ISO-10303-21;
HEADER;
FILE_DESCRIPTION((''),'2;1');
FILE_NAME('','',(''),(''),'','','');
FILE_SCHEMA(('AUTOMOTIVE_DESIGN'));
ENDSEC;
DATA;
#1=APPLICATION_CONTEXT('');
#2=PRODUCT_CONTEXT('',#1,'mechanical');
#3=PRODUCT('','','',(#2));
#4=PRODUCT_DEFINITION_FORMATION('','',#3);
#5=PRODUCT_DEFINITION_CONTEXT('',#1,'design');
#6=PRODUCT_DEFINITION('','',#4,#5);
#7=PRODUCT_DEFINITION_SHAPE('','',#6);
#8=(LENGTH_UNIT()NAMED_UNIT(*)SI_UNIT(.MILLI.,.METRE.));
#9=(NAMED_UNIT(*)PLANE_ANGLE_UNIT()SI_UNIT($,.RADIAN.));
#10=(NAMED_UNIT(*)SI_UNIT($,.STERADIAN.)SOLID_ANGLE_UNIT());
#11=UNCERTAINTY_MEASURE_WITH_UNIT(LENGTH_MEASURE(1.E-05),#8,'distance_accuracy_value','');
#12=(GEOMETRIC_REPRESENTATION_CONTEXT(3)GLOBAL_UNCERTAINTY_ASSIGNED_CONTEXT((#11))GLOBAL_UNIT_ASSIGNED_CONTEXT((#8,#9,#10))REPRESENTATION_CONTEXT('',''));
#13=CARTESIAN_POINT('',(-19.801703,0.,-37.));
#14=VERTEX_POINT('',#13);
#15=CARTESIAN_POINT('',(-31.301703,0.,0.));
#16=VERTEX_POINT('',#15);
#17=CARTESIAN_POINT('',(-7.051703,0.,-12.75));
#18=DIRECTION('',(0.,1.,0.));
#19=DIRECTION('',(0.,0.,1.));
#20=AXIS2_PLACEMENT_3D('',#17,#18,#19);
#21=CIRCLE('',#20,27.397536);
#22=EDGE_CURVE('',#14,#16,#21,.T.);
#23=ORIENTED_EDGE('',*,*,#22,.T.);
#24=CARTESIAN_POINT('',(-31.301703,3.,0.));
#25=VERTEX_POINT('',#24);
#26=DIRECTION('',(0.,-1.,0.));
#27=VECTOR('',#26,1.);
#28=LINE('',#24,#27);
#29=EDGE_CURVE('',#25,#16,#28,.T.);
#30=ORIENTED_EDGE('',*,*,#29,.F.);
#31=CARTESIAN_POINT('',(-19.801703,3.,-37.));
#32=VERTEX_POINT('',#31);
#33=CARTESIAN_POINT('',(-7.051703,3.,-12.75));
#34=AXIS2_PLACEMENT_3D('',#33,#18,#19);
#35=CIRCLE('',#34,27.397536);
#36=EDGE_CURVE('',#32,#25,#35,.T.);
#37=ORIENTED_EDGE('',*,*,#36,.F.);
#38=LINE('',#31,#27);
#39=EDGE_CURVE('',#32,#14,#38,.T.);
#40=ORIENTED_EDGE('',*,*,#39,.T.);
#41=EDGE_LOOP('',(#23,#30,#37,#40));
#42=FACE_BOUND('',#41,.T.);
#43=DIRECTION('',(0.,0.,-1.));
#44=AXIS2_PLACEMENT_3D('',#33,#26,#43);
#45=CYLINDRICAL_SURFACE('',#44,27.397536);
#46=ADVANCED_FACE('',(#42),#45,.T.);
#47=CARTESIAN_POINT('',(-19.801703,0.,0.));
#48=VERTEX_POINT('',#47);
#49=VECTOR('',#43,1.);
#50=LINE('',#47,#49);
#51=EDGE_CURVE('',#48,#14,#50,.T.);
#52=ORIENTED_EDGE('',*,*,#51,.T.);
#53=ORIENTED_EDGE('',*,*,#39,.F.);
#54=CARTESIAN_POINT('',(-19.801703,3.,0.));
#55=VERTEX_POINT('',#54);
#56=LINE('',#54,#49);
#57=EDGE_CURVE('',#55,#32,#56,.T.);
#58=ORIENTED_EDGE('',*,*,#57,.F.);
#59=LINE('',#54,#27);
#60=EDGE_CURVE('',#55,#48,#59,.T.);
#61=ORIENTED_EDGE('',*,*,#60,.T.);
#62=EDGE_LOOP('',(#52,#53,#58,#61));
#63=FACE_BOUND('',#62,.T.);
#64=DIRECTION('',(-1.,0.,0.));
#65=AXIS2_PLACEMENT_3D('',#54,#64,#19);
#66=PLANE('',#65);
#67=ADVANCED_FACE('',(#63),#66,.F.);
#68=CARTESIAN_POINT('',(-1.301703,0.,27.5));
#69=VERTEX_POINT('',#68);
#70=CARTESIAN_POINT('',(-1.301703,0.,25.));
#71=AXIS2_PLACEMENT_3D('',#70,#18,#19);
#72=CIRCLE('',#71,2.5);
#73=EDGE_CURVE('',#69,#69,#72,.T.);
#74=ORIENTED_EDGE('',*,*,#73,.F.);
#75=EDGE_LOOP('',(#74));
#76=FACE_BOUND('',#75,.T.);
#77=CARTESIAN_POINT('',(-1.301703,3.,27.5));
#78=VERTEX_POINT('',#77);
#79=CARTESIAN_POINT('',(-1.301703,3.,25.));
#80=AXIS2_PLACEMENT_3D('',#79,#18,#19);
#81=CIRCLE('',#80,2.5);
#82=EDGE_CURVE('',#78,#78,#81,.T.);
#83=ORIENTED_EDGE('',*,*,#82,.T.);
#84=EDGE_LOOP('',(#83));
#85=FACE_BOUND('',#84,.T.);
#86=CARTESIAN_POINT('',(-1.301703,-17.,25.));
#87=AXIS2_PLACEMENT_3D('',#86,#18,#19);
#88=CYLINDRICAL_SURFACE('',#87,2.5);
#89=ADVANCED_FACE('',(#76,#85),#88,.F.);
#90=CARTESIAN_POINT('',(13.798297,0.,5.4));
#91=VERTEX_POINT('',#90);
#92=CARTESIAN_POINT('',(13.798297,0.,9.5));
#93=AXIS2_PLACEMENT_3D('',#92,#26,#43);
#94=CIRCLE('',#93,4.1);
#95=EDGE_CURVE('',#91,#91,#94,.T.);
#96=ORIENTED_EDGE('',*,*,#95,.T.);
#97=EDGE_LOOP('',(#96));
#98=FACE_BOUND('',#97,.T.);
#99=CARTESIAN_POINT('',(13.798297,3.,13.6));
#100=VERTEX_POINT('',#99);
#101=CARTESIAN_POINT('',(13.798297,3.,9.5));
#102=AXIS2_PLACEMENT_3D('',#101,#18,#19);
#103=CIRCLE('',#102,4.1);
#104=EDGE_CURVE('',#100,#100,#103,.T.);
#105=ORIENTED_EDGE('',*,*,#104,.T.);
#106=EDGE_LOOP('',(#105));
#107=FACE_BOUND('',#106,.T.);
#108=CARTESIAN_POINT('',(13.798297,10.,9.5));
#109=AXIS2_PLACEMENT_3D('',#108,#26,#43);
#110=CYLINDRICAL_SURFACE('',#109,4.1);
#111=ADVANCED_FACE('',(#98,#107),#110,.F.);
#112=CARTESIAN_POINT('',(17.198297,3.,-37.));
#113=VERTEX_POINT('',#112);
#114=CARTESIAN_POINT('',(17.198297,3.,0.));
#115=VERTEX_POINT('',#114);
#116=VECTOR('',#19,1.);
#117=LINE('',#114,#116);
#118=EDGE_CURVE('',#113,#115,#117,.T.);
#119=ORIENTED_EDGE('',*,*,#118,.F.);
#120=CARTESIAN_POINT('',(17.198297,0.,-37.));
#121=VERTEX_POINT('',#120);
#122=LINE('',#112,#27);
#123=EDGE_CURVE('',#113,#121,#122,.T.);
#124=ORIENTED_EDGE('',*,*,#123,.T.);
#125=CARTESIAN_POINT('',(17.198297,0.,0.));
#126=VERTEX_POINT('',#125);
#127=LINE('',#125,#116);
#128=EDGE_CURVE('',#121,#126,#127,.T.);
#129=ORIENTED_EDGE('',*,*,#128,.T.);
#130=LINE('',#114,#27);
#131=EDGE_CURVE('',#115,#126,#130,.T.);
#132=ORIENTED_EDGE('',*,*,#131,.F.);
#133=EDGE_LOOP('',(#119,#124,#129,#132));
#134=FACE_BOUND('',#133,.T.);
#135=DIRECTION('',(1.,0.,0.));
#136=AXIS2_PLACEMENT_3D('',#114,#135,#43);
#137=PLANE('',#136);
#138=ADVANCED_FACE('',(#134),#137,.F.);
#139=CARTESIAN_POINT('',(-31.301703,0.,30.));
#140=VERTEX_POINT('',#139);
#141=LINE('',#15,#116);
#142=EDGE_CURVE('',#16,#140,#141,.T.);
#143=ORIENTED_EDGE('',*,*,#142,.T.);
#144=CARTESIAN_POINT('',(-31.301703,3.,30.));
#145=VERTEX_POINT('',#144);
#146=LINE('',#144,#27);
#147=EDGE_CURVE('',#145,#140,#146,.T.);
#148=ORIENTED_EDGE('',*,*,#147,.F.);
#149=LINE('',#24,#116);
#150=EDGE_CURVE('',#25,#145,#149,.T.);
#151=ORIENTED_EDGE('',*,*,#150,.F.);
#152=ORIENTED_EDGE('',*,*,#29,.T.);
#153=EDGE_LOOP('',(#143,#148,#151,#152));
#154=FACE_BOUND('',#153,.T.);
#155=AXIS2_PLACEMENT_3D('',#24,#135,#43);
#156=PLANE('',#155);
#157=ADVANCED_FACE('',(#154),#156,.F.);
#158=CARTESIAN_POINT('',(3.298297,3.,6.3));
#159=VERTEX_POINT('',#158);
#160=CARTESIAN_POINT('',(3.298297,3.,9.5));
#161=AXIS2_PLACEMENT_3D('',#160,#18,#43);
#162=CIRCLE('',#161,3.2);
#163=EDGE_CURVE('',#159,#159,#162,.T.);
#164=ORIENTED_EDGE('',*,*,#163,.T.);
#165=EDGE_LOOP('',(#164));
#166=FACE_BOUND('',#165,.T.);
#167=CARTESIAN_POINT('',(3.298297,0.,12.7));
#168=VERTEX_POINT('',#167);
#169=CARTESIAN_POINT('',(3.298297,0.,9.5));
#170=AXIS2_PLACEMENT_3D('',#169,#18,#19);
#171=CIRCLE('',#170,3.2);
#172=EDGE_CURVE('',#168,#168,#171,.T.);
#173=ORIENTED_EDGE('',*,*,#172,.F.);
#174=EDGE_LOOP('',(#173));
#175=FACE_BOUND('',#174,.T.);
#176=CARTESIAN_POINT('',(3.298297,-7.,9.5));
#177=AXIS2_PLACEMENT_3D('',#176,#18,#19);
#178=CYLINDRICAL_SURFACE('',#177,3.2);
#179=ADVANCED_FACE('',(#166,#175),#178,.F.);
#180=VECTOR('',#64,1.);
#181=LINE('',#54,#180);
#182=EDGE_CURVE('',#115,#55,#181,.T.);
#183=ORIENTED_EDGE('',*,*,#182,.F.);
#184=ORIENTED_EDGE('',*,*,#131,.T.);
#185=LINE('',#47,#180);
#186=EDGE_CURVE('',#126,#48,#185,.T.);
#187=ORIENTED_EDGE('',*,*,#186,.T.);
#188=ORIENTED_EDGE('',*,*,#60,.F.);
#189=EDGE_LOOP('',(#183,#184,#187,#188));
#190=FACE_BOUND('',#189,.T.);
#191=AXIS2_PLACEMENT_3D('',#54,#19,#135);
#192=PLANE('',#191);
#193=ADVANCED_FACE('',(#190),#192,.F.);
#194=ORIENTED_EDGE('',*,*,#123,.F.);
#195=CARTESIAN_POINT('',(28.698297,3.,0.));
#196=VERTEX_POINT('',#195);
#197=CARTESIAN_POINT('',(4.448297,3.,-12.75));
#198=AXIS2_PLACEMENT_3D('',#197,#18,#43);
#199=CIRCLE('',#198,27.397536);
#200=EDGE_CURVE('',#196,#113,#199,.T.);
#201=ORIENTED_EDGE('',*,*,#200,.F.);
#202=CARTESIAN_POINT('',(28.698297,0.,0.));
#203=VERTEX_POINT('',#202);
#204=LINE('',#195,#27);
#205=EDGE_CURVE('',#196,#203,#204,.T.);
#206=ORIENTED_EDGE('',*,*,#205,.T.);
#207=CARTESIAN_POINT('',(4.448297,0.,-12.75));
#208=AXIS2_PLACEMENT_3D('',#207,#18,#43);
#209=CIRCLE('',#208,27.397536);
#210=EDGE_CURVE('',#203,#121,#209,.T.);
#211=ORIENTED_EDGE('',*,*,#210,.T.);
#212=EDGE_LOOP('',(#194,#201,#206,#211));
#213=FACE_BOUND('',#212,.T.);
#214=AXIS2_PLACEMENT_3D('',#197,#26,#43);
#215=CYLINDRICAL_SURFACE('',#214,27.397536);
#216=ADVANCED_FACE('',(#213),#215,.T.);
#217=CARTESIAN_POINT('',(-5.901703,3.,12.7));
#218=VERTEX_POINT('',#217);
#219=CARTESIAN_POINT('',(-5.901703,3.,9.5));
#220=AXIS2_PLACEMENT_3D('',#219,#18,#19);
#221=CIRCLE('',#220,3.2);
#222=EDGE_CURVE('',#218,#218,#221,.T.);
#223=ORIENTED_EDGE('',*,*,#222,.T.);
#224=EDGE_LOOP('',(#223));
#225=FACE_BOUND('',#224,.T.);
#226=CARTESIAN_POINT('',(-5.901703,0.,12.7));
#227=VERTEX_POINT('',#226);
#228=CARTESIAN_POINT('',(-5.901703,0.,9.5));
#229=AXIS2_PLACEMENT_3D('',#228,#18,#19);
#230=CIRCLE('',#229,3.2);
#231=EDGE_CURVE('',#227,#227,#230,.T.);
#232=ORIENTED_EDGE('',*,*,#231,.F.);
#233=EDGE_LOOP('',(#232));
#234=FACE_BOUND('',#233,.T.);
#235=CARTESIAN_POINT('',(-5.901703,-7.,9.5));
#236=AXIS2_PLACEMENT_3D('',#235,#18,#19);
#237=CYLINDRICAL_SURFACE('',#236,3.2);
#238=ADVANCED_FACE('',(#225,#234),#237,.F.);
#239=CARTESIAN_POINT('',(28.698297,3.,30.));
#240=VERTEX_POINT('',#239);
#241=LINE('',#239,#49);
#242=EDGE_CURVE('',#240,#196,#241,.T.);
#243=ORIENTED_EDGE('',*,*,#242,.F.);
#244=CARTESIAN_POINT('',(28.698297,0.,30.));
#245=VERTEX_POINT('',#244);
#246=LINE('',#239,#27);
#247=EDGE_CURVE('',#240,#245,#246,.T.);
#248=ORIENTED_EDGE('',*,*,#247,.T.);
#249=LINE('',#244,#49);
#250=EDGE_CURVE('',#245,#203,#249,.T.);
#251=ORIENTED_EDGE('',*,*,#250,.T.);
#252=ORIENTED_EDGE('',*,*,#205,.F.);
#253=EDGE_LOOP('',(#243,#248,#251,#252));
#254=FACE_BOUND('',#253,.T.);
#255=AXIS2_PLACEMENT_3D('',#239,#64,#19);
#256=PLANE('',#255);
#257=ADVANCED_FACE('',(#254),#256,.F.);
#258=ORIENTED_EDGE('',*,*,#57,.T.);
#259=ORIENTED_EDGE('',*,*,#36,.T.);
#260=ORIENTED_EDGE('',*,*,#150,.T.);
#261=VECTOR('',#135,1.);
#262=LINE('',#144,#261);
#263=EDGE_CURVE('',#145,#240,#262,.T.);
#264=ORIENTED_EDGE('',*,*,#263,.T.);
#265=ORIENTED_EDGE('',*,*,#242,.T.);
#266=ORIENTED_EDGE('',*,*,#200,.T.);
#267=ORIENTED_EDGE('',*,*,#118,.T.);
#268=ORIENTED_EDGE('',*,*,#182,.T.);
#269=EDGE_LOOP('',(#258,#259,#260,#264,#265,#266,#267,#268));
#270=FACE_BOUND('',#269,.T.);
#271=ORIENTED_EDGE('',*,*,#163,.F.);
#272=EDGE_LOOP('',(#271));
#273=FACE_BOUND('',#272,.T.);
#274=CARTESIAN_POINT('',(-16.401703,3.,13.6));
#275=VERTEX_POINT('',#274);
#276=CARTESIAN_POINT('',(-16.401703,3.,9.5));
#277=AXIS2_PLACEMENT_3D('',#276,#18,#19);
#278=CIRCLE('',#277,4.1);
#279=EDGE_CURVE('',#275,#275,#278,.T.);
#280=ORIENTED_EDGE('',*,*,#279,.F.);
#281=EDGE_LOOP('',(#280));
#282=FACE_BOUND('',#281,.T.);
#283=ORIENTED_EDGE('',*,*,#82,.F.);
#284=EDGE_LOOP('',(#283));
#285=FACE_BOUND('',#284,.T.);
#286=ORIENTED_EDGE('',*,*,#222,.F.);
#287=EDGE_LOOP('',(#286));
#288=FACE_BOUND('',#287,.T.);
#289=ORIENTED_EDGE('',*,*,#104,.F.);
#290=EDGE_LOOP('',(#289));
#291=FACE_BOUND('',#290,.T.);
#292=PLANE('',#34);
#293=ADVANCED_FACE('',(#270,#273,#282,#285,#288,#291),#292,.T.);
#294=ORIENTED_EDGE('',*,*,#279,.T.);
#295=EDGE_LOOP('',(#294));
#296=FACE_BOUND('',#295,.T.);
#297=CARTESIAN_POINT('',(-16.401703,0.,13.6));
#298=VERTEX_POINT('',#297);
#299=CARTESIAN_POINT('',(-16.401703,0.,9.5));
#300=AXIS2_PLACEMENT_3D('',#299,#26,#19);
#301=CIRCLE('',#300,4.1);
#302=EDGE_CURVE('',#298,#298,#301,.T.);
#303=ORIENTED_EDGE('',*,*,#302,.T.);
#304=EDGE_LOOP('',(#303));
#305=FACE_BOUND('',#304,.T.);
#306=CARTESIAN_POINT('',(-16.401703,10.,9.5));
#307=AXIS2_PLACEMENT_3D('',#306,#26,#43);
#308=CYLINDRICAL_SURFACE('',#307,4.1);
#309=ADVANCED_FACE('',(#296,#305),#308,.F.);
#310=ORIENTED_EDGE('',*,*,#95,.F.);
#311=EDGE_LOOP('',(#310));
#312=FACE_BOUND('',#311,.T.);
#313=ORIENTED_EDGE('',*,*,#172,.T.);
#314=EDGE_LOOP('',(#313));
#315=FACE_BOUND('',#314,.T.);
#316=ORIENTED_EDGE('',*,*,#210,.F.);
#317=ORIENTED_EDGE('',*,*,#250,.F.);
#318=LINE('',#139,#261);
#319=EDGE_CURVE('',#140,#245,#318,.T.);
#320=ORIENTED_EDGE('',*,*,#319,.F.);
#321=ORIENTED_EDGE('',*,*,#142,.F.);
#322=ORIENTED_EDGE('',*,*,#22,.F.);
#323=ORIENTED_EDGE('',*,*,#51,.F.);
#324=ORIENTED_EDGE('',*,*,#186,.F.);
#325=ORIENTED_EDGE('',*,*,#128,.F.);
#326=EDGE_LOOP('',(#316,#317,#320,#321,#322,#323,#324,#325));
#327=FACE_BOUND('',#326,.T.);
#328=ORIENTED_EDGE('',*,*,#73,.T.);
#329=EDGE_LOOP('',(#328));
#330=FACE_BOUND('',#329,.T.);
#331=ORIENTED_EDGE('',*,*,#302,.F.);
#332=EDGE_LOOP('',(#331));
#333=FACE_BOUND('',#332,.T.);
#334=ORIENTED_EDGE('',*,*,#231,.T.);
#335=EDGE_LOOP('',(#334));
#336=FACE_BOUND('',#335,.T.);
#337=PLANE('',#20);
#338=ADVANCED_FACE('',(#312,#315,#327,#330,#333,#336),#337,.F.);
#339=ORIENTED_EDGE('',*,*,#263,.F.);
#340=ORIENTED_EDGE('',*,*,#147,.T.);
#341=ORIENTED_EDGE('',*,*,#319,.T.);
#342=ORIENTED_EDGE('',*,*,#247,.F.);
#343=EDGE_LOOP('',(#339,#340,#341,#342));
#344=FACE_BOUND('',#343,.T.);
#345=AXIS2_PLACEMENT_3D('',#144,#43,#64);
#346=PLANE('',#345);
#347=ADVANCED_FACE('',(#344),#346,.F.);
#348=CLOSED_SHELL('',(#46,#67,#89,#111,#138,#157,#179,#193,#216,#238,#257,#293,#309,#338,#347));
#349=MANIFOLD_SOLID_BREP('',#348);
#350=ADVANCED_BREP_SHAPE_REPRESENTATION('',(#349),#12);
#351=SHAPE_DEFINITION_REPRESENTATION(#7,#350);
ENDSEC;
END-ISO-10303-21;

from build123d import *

# Parameters (mm, degrees)
BOSS_EXTRUDE1_DEPTH = 3
SKETCH2_R           = 2.5
CUT_EXTRUDE1_DEPTH  = 20
SKETCH3_W           = 5
SKETCH3_H           = 5
CUT_EXTRUDE2_DEPTH  = 10
SKETCH4_R           = 4.1
CUT_EXTRUDE3_DEPTH  = 10
SKETCH5_R           = 3.2
CUT_EXTRUDE4_DEPTH  = 10


with BuildPart() as part:
    # Sketch1 → Boss-Extrude1 (new body)
    with BuildSketch(Plane(origin=(0, 0, 0), x_dir=(1, 0, 0), z_dir=(0, 1, 0))):
        with BuildLine():
            Line((-19.801702617, 0), (17.198297383, 0))
            Line((17.198297383, 0), (17.198297383, 37))
            ThreePointArc((17.198297383, 37), (30.611248287, 20.881727984), (28.698297383, 0))
            Line((28.698297383, 0), (28.698297383, -30))
            Line((28.698297383, -30), (-31.301702617, -30))
            Line((-31.301702617, -30), (-31.301702617, 0))
            ThreePointArc((-31.301702617, 0), (-33.214653521, 20.881727984), (-19.801702617, 37))
            Line((-19.801702617, 37), (-19.801702617, 0))
        make_face()
    extrude(amount=BOSS_EXTRUDE1_DEPTH)

    # Sketch2 → Cut-Extrude1 (cut)
    with BuildSketch(Plane(origin=(0, 3, 0), x_dir=(1, 0, 0), z_dir=(0, 1, 0))):
        with Locations(Location((-1.301702617, -25, 0), (0, 0, 270))):
            Circle(SKETCH2_R)
    extrude(amount=-CUT_EXTRUDE1_DEPTH, mode=Mode.SUBTRACT)

    # Sketch3 → Cut-Extrude2 (cut)
    with BuildSketch(Plane.XZ):
        with Locations((13.798297383, 9.5)):
            Rectangle(SKETCH3_W, SKETCH3_H)
        with Locations((-16.401702617, 9.5)):
            Rectangle(SKETCH3_W, SKETCH3_H)
    extrude(amount=-CUT_EXTRUDE2_DEPTH, mode=Mode.SUBTRACT)

    # Sketch4 → Cut-Extrude3 (cut)
    with BuildSketch(Plane.XZ):
        with Locations(Location((13.798297383, 9.5, 0), (0, 0, 270))):
            Circle(SKETCH4_R)
        with Locations(Location((-16.401702617, 9.5, 0), (0, 0, 90))):
            Circle(SKETCH4_R)
    extrude(amount=-CUT_EXTRUDE3_DEPTH, mode=Mode.SUBTRACT)

    # Sketch5 → Cut-Extrude4 (cut)
    with BuildSketch(Plane(origin=(0, 3, 0), x_dir=(1, 0, 0), z_dir=(0, 1, 0))):
        with Locations(Location((-5.901702617, -9.5, 0), (0, 0, 270))):
            Circle(SKETCH5_R)
        with Locations(Location((3.298297383, -9.5, 0), (0, 0, 270))):
            Circle(SKETCH5_R)
    extrude(amount=-CUT_EXTRUDE4_DEPTH, mode=Mode.SUBTRACT)


solid = part.part
